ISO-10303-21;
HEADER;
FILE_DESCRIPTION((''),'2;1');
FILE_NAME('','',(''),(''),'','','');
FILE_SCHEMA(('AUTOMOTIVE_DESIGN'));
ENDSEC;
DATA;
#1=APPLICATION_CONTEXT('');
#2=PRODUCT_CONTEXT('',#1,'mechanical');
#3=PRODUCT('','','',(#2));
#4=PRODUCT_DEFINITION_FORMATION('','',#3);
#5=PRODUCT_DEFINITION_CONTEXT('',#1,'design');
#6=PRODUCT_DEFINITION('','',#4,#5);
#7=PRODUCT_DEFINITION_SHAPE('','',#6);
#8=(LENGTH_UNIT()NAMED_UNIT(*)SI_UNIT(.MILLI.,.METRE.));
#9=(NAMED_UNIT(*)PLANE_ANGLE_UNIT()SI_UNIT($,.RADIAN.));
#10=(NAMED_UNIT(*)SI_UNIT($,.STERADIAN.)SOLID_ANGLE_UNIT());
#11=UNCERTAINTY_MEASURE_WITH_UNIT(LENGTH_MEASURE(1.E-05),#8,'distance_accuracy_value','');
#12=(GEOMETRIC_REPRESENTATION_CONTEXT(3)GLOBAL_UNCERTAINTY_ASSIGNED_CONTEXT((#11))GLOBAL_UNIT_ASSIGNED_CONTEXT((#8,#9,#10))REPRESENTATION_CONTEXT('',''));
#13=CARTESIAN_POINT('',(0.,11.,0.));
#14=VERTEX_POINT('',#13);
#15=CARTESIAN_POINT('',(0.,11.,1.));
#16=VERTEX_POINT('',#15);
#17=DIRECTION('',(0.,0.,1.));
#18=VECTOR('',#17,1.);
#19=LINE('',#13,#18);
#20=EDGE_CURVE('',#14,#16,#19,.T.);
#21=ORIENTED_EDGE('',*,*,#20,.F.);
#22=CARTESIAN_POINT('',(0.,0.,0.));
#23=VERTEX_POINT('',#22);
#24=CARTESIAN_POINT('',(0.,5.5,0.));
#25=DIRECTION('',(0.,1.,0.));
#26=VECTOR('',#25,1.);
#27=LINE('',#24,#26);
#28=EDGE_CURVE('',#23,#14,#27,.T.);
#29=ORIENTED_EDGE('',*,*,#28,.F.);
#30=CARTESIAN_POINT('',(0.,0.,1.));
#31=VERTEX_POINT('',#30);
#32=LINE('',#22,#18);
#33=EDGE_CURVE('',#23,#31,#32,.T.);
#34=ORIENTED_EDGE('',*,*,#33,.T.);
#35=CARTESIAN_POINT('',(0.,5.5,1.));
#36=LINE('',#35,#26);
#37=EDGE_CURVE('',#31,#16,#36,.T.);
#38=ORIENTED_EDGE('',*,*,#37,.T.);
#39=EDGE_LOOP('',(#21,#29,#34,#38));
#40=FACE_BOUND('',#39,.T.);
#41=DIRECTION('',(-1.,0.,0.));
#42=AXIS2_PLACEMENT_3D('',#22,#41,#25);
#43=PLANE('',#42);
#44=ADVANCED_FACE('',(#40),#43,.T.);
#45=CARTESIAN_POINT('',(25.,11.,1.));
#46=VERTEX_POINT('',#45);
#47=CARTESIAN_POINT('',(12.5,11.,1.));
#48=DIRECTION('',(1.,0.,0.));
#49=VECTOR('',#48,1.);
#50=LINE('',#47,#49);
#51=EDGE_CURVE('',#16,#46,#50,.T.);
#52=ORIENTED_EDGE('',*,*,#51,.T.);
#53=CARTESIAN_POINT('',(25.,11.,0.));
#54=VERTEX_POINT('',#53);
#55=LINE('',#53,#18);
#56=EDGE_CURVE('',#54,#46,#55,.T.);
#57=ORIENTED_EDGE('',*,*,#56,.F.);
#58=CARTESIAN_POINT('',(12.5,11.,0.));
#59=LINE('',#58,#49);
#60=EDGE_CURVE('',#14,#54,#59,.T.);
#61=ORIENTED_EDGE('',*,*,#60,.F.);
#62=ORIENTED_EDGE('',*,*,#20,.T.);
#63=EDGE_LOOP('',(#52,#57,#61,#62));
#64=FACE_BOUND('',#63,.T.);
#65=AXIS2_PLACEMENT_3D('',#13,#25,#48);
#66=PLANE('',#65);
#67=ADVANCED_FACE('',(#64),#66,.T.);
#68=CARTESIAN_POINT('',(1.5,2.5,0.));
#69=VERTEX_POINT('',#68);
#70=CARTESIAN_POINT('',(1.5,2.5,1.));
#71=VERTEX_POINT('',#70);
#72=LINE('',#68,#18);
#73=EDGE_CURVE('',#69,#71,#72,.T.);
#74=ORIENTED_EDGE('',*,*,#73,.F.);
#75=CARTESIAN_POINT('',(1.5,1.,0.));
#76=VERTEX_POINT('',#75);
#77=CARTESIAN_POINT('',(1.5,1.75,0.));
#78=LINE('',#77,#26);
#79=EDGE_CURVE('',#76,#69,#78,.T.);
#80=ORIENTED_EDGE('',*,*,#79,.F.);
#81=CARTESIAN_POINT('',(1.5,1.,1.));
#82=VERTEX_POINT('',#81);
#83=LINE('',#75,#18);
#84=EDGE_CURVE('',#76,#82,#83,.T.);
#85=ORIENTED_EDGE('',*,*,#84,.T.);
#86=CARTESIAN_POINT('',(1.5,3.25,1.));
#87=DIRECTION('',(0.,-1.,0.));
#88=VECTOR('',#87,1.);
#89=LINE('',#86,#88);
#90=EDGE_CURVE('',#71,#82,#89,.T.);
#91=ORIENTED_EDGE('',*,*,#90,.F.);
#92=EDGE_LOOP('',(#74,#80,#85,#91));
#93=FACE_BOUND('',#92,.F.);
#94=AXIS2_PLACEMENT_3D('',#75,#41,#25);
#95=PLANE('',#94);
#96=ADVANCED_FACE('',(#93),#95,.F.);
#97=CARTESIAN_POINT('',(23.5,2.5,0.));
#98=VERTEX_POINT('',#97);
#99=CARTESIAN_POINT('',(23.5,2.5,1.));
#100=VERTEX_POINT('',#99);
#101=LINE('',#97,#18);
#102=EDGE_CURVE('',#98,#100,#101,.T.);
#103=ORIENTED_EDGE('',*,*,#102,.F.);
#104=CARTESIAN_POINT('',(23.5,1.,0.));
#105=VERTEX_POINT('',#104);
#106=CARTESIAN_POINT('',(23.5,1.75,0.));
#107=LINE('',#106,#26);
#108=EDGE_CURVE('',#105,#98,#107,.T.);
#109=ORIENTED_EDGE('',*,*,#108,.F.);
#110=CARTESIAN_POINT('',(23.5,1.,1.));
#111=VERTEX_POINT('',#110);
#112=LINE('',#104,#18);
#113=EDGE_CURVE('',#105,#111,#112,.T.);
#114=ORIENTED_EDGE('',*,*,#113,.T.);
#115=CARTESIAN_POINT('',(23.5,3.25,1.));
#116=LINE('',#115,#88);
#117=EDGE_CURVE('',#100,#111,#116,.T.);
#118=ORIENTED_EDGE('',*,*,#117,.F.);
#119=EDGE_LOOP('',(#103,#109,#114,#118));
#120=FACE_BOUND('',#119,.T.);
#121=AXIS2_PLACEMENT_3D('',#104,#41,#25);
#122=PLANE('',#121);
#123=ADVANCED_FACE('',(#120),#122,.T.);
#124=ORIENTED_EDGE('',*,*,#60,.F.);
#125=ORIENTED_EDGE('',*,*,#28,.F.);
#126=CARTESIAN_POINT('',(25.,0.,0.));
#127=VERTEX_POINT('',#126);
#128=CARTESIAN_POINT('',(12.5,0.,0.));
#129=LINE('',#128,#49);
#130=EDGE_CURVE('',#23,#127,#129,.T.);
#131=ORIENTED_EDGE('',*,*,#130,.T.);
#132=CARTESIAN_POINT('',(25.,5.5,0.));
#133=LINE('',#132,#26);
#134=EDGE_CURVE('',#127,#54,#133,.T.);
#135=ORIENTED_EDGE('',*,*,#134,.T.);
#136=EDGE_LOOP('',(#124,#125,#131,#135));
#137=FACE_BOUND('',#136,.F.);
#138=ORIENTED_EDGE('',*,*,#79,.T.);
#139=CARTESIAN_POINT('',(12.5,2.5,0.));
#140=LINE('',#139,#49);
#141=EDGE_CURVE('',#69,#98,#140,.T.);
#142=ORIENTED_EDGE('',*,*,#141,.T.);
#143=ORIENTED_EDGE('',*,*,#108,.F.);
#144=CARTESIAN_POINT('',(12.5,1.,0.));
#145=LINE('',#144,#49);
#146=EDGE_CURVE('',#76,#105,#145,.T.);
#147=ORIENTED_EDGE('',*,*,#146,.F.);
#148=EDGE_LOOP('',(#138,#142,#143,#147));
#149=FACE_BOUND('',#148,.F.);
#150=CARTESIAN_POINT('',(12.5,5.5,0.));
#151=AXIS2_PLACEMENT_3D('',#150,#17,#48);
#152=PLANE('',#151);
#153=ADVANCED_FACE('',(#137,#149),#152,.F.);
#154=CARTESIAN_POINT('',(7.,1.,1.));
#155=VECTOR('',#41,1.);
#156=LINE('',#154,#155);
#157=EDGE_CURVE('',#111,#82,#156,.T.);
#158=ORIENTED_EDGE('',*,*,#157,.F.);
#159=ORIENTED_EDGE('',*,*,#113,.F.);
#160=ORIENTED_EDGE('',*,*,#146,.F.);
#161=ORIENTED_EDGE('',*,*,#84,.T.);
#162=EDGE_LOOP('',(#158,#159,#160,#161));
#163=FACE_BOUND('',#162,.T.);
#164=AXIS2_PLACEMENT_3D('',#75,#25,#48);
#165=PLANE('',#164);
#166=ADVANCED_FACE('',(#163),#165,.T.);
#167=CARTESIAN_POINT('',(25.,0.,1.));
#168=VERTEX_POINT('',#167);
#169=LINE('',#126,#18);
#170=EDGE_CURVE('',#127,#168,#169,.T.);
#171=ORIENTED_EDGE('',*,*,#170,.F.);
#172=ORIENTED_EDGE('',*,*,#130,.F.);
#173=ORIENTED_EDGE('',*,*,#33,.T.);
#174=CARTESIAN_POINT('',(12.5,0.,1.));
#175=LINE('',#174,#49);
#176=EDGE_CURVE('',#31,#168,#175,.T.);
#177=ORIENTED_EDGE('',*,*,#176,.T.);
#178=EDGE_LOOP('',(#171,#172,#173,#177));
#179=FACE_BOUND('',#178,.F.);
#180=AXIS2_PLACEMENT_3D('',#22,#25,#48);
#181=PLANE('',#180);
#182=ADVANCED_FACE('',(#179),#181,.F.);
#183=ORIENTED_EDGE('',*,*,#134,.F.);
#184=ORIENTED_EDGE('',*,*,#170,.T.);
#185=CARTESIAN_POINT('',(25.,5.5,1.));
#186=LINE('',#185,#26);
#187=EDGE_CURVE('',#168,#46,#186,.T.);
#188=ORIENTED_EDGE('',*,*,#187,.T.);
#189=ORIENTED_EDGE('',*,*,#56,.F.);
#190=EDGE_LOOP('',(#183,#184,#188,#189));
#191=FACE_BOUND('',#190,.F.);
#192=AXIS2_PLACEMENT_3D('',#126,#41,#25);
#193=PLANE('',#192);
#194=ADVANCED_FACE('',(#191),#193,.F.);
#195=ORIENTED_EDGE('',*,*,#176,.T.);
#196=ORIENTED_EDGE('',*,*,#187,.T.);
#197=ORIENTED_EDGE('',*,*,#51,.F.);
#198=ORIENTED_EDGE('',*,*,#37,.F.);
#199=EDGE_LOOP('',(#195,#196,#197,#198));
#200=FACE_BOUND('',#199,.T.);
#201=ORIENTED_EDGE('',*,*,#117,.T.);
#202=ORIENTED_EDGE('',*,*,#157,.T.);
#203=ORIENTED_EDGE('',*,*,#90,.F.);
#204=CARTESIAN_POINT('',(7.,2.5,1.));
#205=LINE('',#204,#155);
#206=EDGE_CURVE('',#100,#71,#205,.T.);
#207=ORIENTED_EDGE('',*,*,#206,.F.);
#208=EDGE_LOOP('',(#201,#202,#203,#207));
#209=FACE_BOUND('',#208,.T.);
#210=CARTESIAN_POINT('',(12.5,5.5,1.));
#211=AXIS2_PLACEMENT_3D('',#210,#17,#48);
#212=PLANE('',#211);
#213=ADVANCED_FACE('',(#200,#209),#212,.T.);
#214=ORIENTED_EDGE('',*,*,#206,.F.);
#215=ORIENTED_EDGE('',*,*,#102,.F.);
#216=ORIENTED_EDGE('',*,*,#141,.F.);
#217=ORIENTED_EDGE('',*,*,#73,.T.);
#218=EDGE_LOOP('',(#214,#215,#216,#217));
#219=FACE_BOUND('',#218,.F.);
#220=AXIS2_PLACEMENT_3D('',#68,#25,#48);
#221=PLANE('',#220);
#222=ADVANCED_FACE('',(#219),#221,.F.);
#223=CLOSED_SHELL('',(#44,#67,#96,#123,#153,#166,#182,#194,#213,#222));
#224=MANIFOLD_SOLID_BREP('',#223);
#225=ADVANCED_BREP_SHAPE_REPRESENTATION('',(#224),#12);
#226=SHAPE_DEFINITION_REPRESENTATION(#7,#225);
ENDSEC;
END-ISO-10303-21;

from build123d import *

# Parameters (mm, degrees)
BOX138_W     = 22
BOX138_H     = 1.5
BOX138_DEPTH = 2
BOX137_W     = 25
BOX137_H     = 11
BOX137_DEPTH = 1


with BuildPart() as longledhole007:
    # Box138 → Box138 (new body)
    with BuildSketch(Plane(origin=(1.5, 1, 0), x_dir=(1, 0, 0), z_dir=(0, 0, 1))):
        with Locations((11, 0.75)):
            Rectangle(BOX138_W, BOX138_H)
    extrude(amount=BOX138_DEPTH)


with BuildPart() as cut024:
    # Box137 → Box137 (new body)
    with BuildSketch(Plane.XY):
        with Locations((12.5, 5.5)):
            Rectangle(BOX137_W, BOX137_H)
    extrude(amount=BOX137_DEPTH)

    # Cut024: cut LongLedHole007
    add(longledhole007.part, mode=Mode.SUBTRACT)


solid = cut024.part
